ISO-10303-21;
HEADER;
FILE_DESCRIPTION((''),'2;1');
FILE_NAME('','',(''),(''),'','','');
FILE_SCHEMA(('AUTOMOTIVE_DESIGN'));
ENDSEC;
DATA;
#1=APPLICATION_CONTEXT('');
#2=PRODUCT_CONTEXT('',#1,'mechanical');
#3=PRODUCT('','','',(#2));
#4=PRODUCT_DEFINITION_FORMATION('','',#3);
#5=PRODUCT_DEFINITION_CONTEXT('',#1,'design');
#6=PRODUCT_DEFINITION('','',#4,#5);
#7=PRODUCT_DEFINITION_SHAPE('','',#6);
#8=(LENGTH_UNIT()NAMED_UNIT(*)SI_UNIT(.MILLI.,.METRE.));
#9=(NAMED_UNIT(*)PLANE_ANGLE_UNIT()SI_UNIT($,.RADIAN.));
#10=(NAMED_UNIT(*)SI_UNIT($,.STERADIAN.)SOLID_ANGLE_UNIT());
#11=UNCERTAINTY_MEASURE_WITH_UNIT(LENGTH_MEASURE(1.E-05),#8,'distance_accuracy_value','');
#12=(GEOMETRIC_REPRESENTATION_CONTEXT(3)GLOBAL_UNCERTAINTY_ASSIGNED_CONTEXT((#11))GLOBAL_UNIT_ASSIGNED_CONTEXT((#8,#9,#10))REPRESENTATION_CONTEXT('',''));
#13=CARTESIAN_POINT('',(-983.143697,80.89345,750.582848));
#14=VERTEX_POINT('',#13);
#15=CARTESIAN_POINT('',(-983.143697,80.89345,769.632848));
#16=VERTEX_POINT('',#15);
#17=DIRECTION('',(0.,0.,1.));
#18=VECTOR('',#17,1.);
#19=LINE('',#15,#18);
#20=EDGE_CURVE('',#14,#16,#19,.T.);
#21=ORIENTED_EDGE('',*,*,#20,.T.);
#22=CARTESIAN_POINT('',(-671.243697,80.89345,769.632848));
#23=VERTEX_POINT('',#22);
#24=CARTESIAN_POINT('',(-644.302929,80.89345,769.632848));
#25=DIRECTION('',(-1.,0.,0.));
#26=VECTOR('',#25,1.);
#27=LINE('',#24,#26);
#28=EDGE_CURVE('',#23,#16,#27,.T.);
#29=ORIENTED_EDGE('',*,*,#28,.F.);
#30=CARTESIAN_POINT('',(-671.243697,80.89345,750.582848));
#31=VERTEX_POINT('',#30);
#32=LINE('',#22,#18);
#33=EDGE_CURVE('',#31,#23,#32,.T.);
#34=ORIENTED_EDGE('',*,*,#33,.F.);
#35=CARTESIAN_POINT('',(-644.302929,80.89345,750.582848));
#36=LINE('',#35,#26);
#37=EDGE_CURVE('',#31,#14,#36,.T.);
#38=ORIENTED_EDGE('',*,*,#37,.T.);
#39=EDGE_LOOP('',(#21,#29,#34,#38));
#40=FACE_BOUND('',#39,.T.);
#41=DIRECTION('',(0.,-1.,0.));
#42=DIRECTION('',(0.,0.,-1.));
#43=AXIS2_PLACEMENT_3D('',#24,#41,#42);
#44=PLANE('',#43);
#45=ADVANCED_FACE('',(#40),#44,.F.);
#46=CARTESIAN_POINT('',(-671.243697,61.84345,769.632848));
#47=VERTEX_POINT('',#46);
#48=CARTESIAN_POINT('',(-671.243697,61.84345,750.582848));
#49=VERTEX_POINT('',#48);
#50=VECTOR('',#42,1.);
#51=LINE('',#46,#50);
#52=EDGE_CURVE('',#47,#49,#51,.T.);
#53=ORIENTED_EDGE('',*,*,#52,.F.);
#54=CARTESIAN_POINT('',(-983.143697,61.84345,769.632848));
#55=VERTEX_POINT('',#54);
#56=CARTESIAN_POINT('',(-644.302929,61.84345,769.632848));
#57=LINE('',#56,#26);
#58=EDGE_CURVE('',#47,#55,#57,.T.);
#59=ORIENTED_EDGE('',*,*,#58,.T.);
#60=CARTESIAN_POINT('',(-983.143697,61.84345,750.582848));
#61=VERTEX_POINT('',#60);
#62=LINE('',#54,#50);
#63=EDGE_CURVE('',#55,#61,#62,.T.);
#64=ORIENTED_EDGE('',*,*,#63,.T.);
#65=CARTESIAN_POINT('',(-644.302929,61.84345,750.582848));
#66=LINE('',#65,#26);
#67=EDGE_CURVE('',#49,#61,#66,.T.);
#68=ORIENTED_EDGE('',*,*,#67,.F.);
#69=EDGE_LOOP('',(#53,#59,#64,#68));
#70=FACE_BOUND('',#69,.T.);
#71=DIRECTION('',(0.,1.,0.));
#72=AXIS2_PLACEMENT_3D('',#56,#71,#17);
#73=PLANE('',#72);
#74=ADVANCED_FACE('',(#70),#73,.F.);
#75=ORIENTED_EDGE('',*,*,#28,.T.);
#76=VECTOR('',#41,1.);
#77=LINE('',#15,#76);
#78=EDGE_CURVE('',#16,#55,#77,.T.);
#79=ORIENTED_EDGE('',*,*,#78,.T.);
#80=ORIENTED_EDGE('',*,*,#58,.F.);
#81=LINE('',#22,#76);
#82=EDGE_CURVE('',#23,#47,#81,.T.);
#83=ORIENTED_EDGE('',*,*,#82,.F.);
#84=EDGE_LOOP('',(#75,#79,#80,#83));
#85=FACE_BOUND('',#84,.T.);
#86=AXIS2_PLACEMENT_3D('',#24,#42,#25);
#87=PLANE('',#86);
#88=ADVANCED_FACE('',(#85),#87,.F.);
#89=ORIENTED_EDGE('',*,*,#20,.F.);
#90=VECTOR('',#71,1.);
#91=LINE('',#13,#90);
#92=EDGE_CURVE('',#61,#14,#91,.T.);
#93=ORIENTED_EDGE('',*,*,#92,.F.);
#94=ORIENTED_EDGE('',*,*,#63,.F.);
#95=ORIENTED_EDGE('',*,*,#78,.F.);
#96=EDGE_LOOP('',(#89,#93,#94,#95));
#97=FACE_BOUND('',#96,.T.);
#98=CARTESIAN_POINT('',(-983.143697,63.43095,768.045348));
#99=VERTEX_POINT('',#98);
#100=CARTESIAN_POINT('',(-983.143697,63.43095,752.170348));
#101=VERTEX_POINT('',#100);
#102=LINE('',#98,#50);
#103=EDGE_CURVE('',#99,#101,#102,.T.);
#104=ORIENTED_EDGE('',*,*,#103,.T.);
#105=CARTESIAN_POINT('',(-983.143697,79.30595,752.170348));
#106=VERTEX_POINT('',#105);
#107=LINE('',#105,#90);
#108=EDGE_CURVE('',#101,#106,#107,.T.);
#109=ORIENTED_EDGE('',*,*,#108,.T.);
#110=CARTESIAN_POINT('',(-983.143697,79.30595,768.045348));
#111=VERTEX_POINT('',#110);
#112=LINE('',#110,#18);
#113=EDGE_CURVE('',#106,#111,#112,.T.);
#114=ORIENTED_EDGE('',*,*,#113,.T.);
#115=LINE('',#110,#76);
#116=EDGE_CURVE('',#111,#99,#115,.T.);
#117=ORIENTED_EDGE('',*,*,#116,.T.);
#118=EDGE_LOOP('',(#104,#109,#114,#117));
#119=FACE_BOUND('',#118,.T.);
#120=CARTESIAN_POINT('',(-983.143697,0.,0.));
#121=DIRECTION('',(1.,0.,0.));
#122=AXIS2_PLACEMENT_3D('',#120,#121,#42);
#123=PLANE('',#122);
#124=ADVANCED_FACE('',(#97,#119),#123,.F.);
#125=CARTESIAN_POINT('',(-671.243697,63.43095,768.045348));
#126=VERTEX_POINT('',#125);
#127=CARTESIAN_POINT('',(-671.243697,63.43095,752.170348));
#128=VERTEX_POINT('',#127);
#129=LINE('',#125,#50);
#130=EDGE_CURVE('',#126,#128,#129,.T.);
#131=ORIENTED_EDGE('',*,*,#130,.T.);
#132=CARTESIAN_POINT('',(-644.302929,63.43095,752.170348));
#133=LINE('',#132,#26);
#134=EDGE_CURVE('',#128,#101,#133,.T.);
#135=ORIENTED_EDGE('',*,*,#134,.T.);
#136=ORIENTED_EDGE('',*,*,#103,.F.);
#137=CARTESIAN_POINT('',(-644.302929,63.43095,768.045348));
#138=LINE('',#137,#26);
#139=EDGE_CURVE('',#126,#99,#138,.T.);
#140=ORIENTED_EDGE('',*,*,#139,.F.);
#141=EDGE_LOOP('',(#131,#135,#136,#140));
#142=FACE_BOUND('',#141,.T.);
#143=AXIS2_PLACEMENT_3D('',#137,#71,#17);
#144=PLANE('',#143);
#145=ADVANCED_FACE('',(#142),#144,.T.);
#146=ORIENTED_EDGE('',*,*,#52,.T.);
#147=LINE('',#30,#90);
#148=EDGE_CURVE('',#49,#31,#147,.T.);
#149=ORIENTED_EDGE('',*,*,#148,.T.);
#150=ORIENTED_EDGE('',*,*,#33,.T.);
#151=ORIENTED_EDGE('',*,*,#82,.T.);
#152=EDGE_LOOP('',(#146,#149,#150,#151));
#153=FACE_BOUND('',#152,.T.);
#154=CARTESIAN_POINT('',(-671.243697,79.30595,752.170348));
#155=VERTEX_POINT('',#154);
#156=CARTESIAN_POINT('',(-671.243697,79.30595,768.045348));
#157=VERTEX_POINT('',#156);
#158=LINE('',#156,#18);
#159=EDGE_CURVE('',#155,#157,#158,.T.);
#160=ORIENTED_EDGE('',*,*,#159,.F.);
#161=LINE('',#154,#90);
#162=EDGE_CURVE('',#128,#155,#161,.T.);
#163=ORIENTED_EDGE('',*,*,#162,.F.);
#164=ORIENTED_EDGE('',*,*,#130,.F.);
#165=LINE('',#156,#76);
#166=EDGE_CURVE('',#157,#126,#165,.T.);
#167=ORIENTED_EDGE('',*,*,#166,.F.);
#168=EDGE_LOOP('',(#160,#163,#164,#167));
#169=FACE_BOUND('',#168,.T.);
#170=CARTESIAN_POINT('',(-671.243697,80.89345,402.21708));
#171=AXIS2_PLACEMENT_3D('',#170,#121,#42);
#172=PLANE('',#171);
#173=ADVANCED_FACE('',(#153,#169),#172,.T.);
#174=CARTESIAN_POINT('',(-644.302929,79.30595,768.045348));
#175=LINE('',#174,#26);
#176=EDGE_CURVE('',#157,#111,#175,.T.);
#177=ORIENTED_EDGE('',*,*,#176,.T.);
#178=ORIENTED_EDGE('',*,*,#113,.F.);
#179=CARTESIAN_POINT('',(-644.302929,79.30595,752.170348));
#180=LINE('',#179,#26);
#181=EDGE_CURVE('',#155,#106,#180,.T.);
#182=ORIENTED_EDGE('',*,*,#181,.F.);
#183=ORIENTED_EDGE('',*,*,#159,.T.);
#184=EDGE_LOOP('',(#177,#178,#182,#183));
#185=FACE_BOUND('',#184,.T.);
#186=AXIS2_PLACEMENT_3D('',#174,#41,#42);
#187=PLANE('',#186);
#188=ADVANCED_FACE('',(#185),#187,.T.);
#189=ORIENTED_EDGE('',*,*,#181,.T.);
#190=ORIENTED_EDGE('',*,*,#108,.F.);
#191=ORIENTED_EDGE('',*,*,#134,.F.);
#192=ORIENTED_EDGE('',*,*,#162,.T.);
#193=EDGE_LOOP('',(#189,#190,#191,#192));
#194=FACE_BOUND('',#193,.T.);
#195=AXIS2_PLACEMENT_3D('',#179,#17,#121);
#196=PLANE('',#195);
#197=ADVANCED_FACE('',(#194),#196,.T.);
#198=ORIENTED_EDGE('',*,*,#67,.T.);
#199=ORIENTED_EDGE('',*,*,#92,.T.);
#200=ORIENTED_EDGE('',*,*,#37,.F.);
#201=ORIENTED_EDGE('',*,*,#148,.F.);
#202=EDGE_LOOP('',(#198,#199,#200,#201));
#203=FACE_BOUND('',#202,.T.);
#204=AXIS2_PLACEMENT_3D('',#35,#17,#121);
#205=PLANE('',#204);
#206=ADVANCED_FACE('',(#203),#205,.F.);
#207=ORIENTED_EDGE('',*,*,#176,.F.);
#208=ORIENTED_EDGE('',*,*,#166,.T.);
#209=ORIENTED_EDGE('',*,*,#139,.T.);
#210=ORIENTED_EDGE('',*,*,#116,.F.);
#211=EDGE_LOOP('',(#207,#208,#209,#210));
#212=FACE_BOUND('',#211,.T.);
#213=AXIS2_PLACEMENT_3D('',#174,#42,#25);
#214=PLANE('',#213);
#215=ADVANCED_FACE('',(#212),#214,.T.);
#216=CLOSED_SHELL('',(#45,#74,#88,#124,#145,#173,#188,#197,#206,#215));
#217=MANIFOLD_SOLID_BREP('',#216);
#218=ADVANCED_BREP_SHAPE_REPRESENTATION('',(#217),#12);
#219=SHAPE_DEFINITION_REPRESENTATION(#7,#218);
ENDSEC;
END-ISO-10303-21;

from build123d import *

# Parameters (mm, degrees)
SKETCH1_W           = 19.05
SKETCH1_H           = 19.05
SKETCH1_W_2         = 15.875
SKETCH1_H_2         = 15.875
BOSS_EXTRUDE1_DEPTH = 311.9


with BuildPart() as part:
    # Sketch1 → Boss-Extrude1 (new body)
    with BuildSketch(Plane(origin=(-983.143696964, 0, 0), x_dir=(0, 0, -1), z_dir=(1, 0, 0))):
        with Locations((-760.107848365, 71.368450435)):
            Rectangle(SKETCH1_W, SKETCH1_H)
        with Locations((-760.107848365, 71.368450435)):
            Rectangle(SKETCH1_W_2, SKETCH1_H_2, mode=Mode.SUBTRACT)
    extrude(amount=BOSS_EXTRUDE1_DEPTH)


solid = part.part
